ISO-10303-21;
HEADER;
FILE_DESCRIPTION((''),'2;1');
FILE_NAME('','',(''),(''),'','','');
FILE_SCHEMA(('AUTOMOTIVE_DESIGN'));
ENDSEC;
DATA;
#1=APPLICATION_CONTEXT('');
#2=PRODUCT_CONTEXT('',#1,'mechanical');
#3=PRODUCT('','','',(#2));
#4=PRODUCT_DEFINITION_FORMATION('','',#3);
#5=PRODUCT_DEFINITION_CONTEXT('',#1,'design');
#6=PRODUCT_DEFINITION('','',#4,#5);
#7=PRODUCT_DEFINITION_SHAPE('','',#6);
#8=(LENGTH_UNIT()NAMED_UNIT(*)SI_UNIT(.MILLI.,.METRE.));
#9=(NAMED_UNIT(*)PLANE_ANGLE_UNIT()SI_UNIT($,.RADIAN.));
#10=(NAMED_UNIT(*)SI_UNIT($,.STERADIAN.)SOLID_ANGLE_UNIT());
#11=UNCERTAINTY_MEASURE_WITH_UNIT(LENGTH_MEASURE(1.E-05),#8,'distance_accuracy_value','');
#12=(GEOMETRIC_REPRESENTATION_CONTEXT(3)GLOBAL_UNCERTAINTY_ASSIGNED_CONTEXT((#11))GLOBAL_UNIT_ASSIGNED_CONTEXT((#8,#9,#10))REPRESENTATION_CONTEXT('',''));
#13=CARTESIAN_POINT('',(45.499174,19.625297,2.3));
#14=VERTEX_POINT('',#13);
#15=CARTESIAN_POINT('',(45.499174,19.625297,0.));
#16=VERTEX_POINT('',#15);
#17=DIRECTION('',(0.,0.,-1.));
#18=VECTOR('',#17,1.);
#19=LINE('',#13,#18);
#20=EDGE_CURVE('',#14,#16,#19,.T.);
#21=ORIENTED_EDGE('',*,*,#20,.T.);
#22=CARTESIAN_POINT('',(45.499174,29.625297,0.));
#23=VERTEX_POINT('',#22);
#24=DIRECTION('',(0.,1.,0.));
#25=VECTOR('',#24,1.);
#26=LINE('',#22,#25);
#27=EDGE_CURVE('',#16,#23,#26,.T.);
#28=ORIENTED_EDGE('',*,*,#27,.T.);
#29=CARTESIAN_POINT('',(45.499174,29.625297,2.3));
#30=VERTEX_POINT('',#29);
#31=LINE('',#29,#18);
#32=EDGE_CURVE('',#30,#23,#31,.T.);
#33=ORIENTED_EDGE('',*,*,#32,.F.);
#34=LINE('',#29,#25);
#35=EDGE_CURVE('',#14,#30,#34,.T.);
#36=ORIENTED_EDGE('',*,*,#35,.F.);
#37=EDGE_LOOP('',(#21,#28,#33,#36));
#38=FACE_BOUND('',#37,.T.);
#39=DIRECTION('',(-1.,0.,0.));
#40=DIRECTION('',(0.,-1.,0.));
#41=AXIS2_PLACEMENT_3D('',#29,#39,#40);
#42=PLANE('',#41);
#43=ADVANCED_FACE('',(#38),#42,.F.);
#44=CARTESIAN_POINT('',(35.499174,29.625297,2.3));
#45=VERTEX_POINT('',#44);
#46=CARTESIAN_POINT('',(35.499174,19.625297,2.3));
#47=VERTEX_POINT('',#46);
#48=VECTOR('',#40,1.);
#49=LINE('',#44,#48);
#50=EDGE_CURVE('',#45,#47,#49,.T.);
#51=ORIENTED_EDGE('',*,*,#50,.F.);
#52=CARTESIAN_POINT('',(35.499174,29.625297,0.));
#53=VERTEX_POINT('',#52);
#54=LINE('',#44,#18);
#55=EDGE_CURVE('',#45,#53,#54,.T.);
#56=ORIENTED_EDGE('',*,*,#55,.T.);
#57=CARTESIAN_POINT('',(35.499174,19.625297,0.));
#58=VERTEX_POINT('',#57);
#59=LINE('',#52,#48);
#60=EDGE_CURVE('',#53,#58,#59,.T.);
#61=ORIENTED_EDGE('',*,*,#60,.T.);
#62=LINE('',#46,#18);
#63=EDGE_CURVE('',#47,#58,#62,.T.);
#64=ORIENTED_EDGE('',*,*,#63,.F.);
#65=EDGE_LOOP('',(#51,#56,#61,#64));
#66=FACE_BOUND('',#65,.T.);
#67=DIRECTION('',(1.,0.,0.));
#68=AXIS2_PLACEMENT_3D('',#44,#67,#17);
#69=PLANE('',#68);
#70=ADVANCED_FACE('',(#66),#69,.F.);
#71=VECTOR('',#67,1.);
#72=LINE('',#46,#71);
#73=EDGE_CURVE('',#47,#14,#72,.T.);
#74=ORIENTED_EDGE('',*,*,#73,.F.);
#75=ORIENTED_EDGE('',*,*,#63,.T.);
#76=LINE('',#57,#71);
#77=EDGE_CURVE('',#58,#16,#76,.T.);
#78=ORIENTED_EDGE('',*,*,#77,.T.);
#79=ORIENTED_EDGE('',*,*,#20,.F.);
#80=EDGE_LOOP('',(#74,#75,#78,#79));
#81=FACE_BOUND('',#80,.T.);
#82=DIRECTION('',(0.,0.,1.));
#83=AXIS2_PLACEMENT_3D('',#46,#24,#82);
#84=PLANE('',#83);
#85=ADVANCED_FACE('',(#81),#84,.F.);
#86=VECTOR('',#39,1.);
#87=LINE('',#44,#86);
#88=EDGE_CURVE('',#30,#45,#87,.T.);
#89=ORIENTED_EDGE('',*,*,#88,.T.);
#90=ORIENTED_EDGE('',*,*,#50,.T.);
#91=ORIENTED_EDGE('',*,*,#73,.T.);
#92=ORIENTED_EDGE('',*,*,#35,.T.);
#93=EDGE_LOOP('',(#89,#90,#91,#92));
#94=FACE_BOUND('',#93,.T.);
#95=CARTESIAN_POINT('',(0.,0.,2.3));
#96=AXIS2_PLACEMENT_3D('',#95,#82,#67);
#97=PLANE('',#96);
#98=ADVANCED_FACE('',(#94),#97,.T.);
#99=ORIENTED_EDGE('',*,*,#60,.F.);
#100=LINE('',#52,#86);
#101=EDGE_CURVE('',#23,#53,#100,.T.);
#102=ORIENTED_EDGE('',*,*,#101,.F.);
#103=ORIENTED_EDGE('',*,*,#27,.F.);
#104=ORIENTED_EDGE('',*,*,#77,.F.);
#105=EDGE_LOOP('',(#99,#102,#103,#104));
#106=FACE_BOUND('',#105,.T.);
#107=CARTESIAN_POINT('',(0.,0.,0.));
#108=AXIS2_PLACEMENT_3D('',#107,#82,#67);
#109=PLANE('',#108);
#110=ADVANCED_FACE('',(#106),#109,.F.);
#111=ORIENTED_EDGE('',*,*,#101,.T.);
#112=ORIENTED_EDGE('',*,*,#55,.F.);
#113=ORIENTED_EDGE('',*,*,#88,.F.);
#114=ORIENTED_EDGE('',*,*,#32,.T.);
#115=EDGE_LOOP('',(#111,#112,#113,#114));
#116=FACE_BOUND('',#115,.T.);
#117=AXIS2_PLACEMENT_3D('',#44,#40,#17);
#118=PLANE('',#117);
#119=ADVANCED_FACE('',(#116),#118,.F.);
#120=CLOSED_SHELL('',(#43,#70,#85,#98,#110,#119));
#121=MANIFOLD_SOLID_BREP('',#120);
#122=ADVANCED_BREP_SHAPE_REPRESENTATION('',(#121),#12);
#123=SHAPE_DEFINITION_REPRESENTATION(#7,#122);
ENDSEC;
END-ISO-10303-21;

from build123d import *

# Parameters (mm, degrees)
SKETCH_1_W      = 10
SKETCH_1_H      = 10
EXTRUDE_1_DEPTH = 2.3


with BuildPart() as part:
    # 草图1 → 凸台-拉伸1 (new body)
    with BuildSketch(Plane.XY):
        with Locations((40.49917431, 24.625296734)):
            Rectangle(SKETCH_1_W, SKETCH_1_H)
    extrude(amount=EXTRUDE_1_DEPTH)


solid = part.part
